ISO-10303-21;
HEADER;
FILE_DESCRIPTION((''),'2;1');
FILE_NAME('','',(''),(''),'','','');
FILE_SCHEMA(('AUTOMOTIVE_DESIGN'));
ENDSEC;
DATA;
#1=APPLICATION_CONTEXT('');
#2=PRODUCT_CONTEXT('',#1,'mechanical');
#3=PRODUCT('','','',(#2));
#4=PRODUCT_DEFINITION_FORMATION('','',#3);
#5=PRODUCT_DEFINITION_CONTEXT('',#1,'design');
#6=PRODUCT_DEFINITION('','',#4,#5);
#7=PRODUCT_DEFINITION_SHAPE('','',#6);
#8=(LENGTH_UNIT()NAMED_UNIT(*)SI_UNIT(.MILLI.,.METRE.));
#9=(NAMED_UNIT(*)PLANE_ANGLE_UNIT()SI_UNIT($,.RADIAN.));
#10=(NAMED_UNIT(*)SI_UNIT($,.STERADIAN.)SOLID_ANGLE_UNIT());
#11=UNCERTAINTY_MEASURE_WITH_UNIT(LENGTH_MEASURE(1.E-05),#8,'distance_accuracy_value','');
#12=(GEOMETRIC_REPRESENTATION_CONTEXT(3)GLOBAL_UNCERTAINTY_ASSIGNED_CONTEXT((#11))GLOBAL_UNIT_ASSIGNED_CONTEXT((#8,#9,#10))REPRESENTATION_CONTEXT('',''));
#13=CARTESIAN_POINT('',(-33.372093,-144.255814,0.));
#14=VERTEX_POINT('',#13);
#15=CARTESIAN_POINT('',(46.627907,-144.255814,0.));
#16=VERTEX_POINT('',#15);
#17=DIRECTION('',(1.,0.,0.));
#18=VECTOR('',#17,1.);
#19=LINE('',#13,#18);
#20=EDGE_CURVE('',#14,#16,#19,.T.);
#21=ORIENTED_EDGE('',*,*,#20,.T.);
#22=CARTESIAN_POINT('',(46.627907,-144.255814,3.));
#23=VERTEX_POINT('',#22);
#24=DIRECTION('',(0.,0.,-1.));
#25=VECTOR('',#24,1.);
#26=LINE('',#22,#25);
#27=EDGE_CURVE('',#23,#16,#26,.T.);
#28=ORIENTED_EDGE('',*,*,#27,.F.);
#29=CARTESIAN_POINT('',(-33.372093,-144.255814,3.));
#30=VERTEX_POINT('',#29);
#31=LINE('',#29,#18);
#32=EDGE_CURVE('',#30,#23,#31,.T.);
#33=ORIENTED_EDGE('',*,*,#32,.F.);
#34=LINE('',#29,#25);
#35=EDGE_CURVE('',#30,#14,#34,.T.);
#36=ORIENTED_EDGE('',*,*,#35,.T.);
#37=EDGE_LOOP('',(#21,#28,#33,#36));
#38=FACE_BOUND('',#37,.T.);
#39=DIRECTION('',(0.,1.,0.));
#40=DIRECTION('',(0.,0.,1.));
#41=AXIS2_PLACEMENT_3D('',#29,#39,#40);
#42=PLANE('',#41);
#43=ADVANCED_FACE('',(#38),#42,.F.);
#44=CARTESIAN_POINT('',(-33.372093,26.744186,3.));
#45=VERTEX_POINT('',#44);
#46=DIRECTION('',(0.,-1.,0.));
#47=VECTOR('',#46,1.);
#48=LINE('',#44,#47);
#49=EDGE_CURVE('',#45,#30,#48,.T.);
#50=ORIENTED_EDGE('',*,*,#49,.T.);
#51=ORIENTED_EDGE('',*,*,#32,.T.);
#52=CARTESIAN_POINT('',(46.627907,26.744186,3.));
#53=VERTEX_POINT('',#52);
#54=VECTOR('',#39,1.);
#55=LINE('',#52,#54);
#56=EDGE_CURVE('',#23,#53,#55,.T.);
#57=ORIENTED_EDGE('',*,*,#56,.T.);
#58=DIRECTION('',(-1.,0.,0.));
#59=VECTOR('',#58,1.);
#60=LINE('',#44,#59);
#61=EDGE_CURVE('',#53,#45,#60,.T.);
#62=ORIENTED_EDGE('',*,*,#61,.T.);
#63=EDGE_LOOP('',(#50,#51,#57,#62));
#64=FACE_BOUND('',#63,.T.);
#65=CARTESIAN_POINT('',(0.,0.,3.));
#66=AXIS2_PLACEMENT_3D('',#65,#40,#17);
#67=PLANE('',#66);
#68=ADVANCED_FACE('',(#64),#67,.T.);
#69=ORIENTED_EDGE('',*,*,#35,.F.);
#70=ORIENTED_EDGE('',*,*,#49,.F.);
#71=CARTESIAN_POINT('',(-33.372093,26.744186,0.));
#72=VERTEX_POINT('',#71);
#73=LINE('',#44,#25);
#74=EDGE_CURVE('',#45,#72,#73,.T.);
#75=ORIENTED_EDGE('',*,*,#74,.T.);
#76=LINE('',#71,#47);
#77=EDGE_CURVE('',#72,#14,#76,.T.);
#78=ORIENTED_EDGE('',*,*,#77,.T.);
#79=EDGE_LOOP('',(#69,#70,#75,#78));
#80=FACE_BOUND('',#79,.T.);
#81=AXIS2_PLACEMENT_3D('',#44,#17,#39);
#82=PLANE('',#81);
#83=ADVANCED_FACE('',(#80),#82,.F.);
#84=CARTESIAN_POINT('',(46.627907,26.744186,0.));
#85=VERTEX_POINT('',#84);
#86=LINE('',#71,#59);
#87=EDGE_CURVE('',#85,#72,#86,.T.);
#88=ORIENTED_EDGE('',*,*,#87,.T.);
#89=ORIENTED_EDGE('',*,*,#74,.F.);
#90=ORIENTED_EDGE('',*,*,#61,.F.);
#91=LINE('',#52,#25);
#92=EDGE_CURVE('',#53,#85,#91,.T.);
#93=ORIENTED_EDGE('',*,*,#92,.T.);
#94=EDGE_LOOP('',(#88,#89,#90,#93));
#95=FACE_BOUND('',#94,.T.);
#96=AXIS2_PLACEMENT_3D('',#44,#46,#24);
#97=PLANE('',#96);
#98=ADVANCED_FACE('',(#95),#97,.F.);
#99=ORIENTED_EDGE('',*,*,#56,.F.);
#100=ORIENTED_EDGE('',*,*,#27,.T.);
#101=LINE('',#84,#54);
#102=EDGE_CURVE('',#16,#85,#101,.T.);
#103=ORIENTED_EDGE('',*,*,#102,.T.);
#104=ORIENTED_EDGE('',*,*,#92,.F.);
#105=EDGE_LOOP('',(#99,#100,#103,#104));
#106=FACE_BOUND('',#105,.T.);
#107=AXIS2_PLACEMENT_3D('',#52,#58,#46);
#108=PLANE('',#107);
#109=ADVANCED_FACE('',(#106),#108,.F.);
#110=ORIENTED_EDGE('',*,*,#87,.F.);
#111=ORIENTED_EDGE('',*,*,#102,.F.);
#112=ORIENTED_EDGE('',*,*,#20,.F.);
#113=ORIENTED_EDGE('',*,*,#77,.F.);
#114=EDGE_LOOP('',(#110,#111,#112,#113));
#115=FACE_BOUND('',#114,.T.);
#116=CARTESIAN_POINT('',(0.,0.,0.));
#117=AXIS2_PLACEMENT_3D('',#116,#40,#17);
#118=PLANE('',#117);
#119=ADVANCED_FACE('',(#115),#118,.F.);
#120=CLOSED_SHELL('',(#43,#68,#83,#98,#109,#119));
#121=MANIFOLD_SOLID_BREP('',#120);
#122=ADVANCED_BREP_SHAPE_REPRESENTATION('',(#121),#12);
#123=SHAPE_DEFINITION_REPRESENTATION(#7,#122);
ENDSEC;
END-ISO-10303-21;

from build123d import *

# Parameters (mm, degrees)
ESBO_O1_W                = 80
ESBO_O1_H                = 171
RESSALTO_EXTRUS_O1_DEPTH = 3


with BuildPart() as part:
    # Esboço1 → Ressalto-extrusão1 (new body)
    with BuildSketch(Plane.XY):
        with Locations((6.627906977, -58.755813953)):
            Rectangle(ESBO_O1_W, ESBO_O1_H)
    extrude(amount=RESSALTO_EXTRUS_O1_DEPTH)


solid = part.part
